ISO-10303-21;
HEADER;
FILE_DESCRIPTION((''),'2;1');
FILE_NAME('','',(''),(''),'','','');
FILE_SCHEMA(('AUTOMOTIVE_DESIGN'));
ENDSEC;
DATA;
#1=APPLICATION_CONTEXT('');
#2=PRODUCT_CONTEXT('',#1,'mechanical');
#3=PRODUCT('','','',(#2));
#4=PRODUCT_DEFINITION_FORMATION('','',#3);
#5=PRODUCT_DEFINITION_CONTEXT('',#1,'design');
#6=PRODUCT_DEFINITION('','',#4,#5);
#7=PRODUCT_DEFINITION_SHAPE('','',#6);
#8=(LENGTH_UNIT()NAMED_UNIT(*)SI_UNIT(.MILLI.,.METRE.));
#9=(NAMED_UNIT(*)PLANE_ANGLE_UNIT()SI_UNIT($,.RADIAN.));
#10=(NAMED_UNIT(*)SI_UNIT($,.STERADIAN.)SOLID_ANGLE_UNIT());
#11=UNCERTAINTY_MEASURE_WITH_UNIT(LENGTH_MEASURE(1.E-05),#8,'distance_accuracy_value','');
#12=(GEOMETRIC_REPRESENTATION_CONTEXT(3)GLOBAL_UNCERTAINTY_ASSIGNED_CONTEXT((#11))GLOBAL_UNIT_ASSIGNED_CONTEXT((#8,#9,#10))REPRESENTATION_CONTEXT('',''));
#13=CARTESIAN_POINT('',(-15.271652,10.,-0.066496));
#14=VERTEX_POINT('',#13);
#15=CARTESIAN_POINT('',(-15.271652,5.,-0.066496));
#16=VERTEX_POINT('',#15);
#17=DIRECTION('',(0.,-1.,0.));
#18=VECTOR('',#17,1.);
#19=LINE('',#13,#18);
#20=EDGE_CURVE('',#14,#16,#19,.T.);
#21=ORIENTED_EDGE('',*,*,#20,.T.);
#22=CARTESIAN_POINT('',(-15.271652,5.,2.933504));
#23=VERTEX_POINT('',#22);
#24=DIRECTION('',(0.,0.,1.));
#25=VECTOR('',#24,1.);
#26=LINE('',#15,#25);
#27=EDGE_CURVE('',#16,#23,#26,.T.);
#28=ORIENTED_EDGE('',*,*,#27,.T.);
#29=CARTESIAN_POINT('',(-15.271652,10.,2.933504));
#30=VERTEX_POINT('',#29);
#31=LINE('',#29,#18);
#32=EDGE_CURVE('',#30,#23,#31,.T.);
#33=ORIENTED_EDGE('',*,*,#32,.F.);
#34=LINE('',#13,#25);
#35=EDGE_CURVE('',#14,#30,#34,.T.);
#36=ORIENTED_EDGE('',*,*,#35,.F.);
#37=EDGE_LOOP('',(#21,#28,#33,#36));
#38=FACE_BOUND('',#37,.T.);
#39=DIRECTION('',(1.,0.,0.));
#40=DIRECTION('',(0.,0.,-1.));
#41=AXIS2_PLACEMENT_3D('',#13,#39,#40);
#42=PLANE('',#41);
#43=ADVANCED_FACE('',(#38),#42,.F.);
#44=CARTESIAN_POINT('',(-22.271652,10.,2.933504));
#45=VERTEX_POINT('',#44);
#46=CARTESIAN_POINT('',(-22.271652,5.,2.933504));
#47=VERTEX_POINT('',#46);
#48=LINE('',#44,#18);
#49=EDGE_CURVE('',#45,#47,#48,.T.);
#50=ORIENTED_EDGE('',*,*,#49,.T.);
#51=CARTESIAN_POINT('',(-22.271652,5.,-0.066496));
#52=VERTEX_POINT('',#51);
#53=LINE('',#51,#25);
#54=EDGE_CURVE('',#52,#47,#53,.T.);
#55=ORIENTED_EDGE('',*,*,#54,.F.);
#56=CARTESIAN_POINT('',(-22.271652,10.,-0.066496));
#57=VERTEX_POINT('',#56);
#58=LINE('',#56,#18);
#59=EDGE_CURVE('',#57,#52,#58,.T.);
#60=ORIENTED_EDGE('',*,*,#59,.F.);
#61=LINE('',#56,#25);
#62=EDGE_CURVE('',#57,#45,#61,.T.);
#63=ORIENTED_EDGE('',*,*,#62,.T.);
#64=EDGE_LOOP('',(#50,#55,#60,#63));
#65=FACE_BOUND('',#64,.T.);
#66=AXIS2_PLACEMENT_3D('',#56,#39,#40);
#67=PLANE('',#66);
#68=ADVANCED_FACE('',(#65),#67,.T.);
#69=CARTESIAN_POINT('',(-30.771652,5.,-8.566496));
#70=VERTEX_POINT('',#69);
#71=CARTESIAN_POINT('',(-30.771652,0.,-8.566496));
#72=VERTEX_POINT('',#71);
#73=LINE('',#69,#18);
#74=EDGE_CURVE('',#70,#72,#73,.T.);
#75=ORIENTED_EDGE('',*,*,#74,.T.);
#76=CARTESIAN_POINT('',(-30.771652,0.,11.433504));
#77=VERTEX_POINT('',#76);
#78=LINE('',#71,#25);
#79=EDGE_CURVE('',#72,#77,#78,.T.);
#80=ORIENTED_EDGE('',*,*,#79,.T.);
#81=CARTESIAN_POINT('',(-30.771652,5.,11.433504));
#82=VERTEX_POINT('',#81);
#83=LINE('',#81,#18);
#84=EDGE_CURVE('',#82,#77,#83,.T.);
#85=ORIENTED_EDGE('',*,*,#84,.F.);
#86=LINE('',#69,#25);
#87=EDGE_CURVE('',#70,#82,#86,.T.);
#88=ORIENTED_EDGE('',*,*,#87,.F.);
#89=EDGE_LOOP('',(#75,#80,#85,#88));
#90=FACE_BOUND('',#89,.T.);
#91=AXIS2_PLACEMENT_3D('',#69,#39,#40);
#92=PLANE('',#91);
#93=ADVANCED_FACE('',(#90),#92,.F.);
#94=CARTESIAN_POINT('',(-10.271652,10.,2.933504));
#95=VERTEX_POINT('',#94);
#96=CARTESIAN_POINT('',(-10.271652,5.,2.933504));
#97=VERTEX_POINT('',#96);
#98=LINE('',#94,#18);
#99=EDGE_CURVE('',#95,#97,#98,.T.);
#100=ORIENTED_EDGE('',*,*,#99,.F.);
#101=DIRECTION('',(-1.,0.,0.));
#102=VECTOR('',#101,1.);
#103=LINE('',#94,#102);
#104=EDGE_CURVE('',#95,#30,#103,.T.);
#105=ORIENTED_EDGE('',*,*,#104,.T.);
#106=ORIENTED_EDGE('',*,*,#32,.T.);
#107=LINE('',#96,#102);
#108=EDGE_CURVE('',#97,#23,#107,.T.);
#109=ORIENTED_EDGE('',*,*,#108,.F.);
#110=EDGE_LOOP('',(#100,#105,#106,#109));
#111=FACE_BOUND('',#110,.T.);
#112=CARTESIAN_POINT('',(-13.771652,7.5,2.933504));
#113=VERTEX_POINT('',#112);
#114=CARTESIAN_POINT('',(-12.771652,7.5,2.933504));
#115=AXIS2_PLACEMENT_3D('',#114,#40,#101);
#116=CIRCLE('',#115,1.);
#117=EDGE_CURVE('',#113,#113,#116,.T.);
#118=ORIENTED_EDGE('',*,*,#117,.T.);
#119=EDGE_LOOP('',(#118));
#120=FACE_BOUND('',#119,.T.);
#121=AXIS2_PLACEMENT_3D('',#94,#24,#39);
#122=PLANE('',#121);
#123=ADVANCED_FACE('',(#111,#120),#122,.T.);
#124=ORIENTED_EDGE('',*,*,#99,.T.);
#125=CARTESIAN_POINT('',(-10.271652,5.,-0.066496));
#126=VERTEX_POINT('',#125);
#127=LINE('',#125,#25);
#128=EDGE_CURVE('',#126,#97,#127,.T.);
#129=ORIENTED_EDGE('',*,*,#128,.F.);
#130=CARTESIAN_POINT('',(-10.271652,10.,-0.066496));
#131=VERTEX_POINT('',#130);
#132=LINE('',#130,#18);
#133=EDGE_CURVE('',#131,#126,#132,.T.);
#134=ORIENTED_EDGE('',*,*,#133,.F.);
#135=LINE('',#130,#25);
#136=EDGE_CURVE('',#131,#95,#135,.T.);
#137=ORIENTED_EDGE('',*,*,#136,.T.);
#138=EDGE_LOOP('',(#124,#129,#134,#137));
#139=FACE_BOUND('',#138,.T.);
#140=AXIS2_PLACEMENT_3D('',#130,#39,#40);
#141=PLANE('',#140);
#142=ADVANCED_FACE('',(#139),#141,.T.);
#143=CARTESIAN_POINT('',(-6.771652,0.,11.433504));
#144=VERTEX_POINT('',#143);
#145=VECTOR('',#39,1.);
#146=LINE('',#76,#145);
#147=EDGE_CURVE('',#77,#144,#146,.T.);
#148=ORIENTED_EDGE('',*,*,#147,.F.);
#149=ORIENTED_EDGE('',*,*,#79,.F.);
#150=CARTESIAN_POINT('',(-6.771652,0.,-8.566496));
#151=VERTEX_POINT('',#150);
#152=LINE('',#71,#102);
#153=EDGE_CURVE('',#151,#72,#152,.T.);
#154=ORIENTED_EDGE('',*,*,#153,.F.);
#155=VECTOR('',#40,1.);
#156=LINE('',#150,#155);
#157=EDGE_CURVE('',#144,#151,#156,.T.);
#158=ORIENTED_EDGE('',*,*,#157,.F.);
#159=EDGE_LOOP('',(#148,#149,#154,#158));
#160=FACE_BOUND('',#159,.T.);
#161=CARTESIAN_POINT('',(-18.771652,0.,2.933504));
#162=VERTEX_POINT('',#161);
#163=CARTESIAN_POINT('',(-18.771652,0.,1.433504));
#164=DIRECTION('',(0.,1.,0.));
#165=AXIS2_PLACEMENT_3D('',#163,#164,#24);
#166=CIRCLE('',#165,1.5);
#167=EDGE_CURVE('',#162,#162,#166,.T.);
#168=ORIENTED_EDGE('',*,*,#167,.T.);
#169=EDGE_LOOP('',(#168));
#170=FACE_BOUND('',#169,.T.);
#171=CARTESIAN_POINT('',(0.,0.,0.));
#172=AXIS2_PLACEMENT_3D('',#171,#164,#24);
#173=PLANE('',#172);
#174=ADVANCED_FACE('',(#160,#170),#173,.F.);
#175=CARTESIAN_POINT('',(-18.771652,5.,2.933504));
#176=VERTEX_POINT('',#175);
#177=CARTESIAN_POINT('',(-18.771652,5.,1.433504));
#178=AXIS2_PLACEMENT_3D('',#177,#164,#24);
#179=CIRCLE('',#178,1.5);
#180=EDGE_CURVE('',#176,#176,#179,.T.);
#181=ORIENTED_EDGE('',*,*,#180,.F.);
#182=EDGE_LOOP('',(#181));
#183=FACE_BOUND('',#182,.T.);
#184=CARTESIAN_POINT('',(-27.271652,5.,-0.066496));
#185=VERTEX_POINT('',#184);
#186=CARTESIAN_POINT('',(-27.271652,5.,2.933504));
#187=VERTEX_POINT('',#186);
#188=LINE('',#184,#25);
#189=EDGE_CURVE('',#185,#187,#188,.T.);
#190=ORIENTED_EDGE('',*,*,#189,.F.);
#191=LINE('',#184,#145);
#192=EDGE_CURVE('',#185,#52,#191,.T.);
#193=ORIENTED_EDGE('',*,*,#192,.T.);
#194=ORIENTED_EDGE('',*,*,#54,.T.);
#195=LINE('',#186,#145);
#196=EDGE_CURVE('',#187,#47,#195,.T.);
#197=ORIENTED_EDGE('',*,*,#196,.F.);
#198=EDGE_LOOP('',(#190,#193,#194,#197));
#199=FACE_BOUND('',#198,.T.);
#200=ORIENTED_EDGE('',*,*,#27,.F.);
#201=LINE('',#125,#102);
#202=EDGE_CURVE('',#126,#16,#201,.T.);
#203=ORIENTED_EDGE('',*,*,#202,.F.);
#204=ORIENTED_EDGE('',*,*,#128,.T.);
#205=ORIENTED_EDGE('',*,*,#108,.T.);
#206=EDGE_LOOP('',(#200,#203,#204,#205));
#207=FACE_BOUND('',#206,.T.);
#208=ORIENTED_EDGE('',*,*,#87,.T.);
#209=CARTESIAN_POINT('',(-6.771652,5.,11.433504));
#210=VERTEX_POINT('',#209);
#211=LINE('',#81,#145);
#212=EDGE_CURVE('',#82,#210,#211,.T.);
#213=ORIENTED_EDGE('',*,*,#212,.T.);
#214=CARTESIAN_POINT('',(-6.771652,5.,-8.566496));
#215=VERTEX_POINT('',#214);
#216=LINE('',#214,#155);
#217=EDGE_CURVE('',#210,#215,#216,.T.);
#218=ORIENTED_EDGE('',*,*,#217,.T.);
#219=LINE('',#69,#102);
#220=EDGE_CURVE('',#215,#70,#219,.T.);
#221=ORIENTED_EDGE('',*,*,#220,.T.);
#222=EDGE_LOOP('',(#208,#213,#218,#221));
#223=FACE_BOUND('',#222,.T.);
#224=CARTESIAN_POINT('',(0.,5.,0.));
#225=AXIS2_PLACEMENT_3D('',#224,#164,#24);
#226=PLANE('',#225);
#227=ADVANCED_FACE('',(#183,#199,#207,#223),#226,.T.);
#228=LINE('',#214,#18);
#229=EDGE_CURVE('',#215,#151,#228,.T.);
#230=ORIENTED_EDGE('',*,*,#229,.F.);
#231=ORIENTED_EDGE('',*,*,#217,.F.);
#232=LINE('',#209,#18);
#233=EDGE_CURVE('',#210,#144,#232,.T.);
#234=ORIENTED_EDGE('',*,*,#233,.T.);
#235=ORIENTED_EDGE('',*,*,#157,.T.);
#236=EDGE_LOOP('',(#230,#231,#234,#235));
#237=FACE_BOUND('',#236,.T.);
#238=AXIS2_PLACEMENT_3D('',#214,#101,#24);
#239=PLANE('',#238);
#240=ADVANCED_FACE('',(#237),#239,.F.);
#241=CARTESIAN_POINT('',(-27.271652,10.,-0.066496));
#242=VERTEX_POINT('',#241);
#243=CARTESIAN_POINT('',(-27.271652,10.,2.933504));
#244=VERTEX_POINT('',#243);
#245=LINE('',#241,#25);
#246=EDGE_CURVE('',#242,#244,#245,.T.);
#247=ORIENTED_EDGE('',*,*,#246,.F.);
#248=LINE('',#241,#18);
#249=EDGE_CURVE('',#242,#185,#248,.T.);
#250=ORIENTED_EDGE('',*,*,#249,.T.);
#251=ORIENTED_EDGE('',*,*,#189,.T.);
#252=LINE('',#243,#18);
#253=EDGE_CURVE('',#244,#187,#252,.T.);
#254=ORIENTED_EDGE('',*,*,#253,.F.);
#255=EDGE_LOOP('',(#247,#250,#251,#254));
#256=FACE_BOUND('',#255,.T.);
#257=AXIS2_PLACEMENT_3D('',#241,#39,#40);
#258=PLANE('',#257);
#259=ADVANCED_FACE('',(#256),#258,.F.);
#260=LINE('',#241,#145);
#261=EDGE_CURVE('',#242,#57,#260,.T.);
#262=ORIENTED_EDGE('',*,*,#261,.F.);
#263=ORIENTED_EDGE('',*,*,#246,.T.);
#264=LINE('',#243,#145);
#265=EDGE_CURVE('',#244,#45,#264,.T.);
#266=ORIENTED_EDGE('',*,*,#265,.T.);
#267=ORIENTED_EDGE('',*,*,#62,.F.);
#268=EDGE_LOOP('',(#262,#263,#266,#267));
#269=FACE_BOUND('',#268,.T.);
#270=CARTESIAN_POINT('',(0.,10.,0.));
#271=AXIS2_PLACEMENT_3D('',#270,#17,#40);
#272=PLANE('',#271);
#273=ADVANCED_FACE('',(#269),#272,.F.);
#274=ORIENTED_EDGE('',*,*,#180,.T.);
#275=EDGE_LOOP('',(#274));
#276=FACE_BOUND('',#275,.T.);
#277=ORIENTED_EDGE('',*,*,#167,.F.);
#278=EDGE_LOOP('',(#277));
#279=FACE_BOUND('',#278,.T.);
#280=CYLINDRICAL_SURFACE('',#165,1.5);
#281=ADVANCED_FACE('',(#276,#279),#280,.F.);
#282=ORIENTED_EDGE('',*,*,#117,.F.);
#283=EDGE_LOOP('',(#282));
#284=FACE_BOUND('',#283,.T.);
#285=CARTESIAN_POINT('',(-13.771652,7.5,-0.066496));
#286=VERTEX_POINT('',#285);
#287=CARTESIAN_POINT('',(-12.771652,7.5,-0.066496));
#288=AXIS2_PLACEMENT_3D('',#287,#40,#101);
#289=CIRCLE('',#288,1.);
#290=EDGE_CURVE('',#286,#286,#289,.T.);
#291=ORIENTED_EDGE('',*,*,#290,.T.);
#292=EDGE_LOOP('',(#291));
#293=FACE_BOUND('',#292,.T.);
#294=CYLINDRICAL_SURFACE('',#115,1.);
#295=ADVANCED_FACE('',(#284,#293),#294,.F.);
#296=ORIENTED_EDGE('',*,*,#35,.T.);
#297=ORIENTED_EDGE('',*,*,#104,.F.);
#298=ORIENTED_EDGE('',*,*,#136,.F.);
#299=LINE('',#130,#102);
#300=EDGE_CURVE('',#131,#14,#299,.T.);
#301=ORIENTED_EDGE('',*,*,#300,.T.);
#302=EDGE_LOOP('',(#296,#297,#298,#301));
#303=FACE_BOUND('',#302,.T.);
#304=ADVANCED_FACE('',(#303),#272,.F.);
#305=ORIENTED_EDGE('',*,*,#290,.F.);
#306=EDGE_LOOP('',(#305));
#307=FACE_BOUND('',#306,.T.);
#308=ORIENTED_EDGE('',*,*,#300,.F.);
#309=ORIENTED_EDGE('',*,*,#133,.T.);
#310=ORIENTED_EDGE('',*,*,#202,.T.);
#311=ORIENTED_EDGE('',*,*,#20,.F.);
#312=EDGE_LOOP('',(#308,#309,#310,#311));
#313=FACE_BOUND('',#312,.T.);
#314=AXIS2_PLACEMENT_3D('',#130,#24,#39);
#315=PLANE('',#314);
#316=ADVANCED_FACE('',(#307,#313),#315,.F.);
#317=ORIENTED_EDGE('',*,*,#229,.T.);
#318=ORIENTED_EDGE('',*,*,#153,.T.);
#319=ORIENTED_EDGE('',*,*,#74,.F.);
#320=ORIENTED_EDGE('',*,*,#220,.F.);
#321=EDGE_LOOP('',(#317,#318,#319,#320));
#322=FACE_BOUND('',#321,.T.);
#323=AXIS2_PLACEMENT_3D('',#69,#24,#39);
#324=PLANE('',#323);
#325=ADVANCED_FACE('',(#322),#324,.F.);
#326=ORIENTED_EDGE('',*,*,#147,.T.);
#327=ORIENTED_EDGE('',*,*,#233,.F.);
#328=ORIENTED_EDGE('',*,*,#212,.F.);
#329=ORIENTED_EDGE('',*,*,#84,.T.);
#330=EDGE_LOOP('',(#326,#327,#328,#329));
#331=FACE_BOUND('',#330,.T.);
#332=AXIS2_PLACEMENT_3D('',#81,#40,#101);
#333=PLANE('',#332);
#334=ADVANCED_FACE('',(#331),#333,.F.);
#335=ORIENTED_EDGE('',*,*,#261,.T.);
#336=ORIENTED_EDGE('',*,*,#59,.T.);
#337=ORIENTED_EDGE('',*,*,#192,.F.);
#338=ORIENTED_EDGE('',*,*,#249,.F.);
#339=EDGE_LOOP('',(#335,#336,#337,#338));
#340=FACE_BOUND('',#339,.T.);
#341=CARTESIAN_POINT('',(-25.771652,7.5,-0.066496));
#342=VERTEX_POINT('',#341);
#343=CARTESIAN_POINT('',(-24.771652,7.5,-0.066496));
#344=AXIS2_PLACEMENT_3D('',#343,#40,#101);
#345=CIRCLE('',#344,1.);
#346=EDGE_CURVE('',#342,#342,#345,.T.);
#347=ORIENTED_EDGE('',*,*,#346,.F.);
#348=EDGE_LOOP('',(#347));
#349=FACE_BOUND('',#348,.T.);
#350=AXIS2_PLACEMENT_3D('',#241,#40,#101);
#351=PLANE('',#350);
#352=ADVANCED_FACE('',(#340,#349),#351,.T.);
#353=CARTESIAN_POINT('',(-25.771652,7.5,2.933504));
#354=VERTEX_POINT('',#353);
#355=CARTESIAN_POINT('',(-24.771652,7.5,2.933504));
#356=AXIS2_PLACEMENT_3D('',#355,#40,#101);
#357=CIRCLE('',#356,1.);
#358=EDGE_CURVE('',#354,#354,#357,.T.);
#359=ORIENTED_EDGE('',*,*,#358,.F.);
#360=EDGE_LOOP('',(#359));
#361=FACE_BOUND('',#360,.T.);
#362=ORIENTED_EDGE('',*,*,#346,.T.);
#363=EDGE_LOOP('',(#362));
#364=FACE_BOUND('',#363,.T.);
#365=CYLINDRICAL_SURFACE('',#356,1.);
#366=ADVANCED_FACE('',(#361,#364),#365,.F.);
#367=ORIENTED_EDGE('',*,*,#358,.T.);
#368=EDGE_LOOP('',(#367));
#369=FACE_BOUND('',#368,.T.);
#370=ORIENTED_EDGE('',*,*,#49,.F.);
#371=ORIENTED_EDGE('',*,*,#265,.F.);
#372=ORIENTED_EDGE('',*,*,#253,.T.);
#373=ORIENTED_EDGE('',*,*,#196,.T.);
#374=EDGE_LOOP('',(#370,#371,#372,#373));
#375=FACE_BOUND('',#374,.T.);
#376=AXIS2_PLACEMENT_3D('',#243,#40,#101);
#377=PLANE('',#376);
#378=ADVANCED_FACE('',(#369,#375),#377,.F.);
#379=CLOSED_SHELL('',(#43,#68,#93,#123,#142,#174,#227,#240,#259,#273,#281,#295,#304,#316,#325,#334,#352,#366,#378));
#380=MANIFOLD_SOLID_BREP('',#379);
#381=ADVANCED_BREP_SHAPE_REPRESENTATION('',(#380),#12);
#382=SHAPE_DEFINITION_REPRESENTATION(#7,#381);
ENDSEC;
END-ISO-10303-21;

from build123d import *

# Parameters (mm, degrees)
SKETCH2_W           = 24
SKETCH2_H           = 20
BOSS_EXTRUDE1_DEPTH = 5
SKETCH3_W           = 5
SKETCH3_H           = 3
BOSS_EXTRUDE2_DEPTH = 5
SKETCH5_R           = 1
CUT_EXTRUDE2_DEPTH  = 3
SKETCH6_R           = 1
CUT_EXTRUDE3_DEPTH  = 3
SKETCH7_R           = 1.5
CUT_EXTRUDE4_DEPTH  = 5


with BuildPart() as part:
    # Sketch2 → Boss-Extrude1 (new body)
    with BuildSketch(Plane(origin=(0, 0, 0), x_dir=(1, 0, 0), z_dir=(0, 1, 0))):
        with Locations((-18.771651872, -1.433503677)):
            Rectangle(SKETCH2_W, SKETCH2_H)
    extrude(amount=BOSS_EXTRUDE1_DEPTH)

    # Sketch3 → Boss-Extrude2 (add)
    with BuildSketch(Plane(origin=(0, 5, 0), x_dir=(1, 0, 0), z_dir=(0, 1, 0))):
        with Locations((-12.771651872, -1.433503677)):
            Rectangle(SKETCH3_W, SKETCH3_H)
        with Locations((-24.771651872, -1.433503677)):
            Rectangle(SKETCH3_W, SKETCH3_H)
    extrude(amount=BOSS_EXTRUDE2_DEPTH)

    # Sketch5 → Cut-Extrude2 (cut)
    with BuildSketch(Plane(origin=(0, 0, -0.066496323), x_dir=(-1, 0, 0), z_dir=(0, 0, -1))):
        with Locations((12.771651872, 7.5)):
            Circle(SKETCH5_R)
    extrude(amount=-CUT_EXTRUDE2_DEPTH, mode=Mode.SUBTRACT)

    # Sketch6 → Cut-Extrude3 (cut)
    with BuildSketch(Plane(origin=(0, 0, -0.066496323), x_dir=(-1, 0, 0), z_dir=(0, 0, -1))):
        with Locations((24.771651872, 7.5)):
            Circle(SKETCH6_R)
    extrude(amount=-CUT_EXTRUDE3_DEPTH, mode=Mode.SUBTRACT)

    # Sketch7 → Cut-Extrude4 (cut)
    with BuildSketch(Plane(origin=(0, 5, 0), x_dir=(1, 0, 0), z_dir=(0, 1, 0))):
        with Locations((-18.771651872, -1.433503677)):
            Circle(SKETCH7_R)
    extrude(amount=-CUT_EXTRUDE4_DEPTH, mode=Mode.SUBTRACT)


solid = part.part
